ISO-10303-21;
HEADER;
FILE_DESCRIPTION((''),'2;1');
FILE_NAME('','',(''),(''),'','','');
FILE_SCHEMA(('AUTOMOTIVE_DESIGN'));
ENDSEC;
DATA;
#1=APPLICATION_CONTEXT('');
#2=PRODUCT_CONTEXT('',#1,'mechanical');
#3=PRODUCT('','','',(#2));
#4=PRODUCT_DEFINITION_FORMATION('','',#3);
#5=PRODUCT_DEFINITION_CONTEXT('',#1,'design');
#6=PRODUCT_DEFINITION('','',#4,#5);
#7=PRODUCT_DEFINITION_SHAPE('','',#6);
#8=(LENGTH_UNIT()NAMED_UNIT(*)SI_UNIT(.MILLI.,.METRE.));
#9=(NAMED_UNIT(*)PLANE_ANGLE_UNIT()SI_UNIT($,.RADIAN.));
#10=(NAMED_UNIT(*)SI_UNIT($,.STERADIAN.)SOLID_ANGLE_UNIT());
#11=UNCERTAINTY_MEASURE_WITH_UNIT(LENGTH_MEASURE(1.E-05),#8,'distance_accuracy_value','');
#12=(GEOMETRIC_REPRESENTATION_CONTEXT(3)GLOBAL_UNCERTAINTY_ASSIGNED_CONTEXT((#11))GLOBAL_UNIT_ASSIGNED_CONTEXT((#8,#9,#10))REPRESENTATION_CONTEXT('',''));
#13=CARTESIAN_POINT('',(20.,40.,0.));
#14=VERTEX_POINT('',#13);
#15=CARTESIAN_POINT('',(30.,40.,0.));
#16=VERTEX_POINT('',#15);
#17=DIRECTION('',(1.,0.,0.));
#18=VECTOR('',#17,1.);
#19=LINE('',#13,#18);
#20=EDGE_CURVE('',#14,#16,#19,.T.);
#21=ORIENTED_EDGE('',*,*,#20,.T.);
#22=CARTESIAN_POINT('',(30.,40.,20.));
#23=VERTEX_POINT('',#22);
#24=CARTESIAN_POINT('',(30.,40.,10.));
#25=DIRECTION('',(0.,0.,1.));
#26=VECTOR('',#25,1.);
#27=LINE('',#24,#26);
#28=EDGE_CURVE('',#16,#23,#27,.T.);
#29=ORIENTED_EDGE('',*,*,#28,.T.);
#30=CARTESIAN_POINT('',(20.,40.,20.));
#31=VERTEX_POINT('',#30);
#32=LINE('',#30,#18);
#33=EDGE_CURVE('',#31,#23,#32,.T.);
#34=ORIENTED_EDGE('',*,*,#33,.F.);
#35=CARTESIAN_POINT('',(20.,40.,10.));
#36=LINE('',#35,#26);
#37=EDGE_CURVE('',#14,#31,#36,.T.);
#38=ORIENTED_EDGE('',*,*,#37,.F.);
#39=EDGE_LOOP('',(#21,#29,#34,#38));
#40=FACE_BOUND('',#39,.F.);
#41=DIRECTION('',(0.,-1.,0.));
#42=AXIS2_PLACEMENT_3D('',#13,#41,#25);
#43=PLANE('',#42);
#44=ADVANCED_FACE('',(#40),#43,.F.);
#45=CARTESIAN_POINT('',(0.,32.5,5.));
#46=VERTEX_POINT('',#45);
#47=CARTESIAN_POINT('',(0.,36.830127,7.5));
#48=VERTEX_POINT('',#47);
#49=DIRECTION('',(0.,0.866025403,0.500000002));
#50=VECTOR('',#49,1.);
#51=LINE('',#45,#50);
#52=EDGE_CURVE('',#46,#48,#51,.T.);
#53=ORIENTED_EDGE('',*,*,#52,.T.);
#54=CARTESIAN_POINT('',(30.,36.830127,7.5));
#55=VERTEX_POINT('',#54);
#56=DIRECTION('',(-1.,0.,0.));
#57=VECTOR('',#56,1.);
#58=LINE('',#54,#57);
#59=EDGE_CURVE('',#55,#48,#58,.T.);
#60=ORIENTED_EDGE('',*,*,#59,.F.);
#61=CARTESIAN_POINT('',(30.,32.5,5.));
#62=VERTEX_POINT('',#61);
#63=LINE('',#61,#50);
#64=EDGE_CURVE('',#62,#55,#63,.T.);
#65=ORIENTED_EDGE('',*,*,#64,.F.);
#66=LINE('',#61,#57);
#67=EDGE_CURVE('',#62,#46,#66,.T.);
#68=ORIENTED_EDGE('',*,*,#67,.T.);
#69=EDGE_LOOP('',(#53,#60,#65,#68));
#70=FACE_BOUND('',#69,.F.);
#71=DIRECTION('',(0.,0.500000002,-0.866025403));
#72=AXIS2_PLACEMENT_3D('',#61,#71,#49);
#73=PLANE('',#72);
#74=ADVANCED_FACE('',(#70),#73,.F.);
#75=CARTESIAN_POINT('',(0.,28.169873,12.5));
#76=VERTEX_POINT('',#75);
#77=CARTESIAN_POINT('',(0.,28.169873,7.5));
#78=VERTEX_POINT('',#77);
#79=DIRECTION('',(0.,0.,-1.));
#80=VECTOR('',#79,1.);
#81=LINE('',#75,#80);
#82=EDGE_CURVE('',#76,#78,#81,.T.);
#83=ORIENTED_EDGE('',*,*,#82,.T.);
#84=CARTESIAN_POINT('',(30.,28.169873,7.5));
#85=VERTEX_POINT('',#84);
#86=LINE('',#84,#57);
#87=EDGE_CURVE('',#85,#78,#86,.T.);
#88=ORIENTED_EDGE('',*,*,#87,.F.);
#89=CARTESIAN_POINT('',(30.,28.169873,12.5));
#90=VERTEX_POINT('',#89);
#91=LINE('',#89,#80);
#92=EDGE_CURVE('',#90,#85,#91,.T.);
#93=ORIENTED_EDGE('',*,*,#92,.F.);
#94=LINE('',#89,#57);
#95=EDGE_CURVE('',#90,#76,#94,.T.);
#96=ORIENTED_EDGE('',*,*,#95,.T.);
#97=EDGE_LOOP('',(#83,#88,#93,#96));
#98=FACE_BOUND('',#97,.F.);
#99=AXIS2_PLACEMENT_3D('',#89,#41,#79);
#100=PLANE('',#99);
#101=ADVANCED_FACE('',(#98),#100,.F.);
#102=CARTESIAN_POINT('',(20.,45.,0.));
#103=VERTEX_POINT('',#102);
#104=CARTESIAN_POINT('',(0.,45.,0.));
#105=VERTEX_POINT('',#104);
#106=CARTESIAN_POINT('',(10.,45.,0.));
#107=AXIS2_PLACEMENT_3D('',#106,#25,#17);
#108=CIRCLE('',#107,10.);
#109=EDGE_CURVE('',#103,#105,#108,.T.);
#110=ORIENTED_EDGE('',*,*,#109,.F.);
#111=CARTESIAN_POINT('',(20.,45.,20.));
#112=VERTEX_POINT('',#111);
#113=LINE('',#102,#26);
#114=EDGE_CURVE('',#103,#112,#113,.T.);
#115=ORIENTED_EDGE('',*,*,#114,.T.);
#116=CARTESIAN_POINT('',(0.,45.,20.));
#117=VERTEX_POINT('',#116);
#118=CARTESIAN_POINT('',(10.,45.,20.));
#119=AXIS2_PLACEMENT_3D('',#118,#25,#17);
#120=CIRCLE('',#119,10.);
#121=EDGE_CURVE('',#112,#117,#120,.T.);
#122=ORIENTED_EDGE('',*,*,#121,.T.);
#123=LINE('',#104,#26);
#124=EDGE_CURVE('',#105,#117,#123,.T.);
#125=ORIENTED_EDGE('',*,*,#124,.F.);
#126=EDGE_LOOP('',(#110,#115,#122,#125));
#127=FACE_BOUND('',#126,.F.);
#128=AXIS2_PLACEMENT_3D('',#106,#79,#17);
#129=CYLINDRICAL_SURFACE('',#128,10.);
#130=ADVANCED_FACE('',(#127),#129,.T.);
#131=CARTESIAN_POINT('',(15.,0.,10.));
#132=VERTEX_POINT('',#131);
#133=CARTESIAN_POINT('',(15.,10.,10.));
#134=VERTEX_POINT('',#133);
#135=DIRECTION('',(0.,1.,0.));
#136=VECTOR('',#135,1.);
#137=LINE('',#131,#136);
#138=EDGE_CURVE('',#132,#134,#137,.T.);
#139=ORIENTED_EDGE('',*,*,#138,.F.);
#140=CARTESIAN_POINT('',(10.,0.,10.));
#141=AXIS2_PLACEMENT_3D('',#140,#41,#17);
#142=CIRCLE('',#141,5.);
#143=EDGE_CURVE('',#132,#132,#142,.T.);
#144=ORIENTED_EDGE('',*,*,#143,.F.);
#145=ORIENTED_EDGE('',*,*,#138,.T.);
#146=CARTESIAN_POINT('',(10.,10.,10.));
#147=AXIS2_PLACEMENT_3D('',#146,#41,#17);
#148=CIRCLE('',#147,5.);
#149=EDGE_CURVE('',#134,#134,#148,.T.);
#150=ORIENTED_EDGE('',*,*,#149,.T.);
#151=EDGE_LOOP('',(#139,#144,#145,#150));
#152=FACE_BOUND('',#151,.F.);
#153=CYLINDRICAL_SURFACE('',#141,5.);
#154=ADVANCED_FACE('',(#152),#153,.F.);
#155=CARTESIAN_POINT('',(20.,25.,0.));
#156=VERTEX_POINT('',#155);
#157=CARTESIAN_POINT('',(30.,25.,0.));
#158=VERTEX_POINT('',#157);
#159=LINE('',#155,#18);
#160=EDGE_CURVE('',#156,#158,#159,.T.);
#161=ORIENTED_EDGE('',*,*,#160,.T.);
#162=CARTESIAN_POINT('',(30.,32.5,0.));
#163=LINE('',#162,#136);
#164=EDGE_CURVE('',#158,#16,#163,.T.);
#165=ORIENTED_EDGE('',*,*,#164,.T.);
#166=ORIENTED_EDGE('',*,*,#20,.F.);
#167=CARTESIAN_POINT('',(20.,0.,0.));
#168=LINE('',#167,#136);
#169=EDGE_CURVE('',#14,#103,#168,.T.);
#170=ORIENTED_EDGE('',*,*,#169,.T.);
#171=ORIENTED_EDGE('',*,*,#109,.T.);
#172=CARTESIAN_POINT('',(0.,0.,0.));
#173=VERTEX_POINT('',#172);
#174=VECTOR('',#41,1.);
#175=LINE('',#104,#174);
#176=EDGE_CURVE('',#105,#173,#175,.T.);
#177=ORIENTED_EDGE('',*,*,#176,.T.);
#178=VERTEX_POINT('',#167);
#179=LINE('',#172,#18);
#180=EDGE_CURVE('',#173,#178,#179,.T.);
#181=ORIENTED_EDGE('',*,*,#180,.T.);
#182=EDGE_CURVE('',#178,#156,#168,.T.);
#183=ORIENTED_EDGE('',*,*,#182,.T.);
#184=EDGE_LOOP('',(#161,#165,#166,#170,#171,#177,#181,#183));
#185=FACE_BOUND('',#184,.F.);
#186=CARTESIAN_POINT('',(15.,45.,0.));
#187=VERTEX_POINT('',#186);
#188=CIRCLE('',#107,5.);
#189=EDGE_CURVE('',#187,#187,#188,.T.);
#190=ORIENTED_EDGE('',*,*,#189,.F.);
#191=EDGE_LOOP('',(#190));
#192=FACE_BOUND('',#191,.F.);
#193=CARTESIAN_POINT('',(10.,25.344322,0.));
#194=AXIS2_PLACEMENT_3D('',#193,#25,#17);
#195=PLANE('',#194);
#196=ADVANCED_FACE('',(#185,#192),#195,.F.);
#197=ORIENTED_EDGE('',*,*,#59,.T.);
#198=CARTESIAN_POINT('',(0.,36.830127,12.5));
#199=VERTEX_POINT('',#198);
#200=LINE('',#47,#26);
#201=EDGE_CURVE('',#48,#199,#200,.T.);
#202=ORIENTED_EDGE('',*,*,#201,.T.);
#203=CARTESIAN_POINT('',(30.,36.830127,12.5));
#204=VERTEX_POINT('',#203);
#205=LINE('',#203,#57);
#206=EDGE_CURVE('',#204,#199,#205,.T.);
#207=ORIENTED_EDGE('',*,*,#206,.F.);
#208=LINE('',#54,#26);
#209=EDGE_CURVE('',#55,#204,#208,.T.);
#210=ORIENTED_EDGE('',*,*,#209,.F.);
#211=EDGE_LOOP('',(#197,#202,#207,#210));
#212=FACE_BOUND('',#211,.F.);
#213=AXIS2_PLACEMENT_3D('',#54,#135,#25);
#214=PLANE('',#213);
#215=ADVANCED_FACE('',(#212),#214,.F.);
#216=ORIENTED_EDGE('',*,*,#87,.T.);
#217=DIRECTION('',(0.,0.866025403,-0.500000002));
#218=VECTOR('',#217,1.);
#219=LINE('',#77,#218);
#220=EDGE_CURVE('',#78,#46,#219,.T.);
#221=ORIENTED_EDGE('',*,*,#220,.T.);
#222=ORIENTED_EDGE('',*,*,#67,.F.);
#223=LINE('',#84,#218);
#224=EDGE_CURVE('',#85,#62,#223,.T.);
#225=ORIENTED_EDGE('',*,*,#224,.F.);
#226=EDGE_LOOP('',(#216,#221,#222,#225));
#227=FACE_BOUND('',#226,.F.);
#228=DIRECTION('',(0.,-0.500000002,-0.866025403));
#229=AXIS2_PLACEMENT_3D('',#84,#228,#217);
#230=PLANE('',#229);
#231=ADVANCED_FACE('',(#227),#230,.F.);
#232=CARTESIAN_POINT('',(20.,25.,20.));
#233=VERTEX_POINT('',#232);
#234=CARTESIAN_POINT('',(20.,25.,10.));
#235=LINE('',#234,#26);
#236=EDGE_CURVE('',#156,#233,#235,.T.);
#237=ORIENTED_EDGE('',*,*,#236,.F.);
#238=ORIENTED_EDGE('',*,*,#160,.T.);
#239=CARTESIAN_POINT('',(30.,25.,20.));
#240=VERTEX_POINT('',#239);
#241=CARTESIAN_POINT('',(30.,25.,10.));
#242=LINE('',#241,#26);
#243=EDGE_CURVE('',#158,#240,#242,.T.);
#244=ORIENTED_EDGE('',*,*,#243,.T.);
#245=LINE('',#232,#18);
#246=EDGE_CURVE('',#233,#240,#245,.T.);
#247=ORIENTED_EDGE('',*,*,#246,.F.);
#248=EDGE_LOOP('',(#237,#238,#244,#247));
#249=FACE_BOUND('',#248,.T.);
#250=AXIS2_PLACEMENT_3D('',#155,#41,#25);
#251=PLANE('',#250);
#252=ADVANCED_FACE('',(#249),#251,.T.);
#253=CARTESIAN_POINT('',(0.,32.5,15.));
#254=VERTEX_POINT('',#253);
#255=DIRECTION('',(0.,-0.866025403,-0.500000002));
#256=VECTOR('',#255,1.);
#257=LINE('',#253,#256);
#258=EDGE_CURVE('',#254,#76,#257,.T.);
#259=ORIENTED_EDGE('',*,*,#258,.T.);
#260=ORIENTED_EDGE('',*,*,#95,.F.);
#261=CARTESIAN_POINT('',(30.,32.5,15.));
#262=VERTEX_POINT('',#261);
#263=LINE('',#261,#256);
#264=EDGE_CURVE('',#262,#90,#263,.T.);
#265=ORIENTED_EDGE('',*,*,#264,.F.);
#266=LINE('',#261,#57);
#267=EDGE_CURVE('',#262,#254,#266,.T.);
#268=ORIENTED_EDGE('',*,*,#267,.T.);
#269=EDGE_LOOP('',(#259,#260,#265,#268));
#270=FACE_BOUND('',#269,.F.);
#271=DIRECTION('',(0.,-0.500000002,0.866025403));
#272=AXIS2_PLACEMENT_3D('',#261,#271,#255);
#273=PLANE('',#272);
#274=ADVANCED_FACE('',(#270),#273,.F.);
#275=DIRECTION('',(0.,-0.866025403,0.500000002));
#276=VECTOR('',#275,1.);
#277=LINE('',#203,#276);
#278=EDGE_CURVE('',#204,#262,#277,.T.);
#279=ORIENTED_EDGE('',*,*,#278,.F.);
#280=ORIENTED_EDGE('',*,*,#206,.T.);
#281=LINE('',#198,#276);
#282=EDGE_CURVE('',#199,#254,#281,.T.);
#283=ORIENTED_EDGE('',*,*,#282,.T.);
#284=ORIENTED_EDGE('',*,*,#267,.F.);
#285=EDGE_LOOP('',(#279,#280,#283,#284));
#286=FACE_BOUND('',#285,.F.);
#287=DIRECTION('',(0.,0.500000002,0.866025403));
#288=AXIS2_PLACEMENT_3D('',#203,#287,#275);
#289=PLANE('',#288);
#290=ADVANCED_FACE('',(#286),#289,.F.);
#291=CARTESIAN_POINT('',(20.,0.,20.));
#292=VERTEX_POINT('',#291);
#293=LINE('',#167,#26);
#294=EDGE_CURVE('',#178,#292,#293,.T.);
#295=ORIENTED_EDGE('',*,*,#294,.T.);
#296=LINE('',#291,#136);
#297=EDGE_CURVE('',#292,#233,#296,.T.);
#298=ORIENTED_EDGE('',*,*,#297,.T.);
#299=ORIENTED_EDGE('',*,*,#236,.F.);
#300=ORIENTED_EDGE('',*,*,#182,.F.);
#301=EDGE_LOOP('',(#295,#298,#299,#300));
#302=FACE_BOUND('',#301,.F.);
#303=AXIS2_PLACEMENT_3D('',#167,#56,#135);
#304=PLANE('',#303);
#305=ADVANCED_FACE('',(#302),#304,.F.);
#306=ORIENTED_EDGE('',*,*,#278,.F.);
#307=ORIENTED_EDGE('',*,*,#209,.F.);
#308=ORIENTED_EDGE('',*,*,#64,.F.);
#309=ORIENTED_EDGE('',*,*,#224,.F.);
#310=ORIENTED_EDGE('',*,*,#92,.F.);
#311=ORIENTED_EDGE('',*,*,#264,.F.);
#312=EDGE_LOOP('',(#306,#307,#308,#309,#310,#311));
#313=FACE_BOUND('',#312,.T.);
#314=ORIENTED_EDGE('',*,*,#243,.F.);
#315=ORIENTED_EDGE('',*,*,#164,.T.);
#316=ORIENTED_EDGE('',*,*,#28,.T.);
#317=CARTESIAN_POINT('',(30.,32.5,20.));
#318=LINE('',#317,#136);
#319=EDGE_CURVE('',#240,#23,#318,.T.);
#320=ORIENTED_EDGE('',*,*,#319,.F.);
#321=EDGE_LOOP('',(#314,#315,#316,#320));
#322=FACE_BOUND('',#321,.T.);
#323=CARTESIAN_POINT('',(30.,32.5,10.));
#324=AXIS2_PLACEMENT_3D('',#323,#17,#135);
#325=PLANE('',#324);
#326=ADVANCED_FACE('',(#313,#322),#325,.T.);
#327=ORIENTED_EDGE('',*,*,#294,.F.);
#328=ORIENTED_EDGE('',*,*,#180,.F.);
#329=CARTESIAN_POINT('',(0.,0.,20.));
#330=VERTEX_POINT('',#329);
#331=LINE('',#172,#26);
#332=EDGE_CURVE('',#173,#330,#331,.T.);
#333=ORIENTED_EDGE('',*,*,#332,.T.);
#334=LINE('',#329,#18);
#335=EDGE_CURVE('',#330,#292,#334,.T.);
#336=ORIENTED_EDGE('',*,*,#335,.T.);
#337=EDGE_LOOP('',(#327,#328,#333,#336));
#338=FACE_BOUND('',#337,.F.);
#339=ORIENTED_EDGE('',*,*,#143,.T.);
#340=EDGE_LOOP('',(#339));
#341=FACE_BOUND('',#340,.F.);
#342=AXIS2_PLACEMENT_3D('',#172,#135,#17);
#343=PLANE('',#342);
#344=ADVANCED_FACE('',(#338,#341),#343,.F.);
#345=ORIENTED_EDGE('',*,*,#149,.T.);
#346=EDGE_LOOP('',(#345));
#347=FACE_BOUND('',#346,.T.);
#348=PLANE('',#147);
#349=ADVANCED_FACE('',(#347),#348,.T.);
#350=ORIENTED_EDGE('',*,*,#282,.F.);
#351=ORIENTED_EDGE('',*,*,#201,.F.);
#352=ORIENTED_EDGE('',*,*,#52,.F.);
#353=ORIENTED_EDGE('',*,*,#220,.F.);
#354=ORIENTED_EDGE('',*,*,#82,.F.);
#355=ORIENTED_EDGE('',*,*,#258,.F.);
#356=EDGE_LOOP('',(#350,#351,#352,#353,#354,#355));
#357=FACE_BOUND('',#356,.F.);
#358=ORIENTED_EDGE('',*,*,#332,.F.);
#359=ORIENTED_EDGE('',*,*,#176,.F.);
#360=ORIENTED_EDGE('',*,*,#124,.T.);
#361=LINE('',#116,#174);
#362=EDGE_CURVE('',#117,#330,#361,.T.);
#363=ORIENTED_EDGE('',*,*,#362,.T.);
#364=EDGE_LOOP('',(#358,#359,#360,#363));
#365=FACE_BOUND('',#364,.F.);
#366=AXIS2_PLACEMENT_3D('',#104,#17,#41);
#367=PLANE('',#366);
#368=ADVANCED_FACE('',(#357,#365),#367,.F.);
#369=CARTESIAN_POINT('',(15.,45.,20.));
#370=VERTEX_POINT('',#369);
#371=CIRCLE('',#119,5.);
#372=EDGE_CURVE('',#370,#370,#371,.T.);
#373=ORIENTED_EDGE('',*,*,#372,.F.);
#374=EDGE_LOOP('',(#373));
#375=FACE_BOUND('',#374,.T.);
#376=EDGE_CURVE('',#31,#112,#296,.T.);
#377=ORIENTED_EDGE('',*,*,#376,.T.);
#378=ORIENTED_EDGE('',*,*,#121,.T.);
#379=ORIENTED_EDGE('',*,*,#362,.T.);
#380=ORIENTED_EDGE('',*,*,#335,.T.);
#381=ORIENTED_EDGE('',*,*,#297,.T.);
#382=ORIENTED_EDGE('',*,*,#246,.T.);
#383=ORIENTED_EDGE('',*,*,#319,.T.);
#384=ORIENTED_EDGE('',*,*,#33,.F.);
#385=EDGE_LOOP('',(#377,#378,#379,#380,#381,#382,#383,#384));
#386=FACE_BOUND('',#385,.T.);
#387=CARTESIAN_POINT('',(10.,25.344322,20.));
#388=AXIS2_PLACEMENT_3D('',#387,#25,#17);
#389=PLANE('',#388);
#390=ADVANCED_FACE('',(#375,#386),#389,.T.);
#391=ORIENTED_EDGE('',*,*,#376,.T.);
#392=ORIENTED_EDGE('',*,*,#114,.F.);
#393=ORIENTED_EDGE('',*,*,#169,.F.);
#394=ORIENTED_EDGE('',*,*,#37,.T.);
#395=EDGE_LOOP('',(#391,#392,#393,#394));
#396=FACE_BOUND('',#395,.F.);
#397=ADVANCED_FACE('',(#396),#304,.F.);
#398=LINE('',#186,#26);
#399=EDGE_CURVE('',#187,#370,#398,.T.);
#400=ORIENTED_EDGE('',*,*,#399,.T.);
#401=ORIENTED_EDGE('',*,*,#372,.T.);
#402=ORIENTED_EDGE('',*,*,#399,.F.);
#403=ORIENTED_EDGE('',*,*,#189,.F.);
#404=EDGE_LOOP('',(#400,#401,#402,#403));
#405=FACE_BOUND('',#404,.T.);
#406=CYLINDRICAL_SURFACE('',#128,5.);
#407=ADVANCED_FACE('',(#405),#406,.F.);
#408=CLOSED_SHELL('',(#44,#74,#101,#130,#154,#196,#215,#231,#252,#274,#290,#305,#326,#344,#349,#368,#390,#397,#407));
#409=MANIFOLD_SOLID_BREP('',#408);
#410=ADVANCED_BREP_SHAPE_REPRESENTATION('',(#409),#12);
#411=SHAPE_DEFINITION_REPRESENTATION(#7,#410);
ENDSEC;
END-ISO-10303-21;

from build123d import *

# Parameters (mm, degrees)
F0_R     = 5
F1_DEPTH = 20
F2_R     = 5
F3_DEPTH = 10
F4_W     = 15
F4_H     = 20
F5_DEPTH = 10
F7_DEPTH = 30


with BuildPart() as f1:
    # F0 (on Top) → F1 (new body)
    with BuildSketch(Plane.XY):
        with BuildLine():
            Line((0, 45), (0, 0))
            Line((0, 0), (20, 0))
            Line((20, 0), (20, 45))
            ThreePointArc((20, 45), (10, 55), (0, 45))
        make_face()
        with Locations((10, 45)):
            Circle(F0_R, mode=Mode.SUBTRACT)
    extrude(amount=F1_DEPTH)

    # F2 (on face) → F3 (cut)
    with BuildSketch(Plane.XZ):
        with Locations((10, 10)):
            Circle(F2_R)
    extrude(amount=-F3_DEPTH, mode=Mode.SUBTRACT)

    # F4 (on face) → F5 (join)
    with BuildSketch(Plane.YZ.offset(20)):
        with Locations((32.5, 10)):
            Rectangle(F4_W, F4_H)
    extrude(amount=F5_DEPTH)

    # F6 (on face) → F7 (cut, through all)
    with BuildSketch(Plane.YZ.offset(30)):
        Polygon((36.830127, 12.5), (32.5, 15), (28.169873, 12.5), (28.169873, 7.5), (32.5, 5), (36.830127, 7.5), align=None)
    extrude(amount=-F7_DEPTH, mode=Mode.SUBTRACT)


solid = f1.part
